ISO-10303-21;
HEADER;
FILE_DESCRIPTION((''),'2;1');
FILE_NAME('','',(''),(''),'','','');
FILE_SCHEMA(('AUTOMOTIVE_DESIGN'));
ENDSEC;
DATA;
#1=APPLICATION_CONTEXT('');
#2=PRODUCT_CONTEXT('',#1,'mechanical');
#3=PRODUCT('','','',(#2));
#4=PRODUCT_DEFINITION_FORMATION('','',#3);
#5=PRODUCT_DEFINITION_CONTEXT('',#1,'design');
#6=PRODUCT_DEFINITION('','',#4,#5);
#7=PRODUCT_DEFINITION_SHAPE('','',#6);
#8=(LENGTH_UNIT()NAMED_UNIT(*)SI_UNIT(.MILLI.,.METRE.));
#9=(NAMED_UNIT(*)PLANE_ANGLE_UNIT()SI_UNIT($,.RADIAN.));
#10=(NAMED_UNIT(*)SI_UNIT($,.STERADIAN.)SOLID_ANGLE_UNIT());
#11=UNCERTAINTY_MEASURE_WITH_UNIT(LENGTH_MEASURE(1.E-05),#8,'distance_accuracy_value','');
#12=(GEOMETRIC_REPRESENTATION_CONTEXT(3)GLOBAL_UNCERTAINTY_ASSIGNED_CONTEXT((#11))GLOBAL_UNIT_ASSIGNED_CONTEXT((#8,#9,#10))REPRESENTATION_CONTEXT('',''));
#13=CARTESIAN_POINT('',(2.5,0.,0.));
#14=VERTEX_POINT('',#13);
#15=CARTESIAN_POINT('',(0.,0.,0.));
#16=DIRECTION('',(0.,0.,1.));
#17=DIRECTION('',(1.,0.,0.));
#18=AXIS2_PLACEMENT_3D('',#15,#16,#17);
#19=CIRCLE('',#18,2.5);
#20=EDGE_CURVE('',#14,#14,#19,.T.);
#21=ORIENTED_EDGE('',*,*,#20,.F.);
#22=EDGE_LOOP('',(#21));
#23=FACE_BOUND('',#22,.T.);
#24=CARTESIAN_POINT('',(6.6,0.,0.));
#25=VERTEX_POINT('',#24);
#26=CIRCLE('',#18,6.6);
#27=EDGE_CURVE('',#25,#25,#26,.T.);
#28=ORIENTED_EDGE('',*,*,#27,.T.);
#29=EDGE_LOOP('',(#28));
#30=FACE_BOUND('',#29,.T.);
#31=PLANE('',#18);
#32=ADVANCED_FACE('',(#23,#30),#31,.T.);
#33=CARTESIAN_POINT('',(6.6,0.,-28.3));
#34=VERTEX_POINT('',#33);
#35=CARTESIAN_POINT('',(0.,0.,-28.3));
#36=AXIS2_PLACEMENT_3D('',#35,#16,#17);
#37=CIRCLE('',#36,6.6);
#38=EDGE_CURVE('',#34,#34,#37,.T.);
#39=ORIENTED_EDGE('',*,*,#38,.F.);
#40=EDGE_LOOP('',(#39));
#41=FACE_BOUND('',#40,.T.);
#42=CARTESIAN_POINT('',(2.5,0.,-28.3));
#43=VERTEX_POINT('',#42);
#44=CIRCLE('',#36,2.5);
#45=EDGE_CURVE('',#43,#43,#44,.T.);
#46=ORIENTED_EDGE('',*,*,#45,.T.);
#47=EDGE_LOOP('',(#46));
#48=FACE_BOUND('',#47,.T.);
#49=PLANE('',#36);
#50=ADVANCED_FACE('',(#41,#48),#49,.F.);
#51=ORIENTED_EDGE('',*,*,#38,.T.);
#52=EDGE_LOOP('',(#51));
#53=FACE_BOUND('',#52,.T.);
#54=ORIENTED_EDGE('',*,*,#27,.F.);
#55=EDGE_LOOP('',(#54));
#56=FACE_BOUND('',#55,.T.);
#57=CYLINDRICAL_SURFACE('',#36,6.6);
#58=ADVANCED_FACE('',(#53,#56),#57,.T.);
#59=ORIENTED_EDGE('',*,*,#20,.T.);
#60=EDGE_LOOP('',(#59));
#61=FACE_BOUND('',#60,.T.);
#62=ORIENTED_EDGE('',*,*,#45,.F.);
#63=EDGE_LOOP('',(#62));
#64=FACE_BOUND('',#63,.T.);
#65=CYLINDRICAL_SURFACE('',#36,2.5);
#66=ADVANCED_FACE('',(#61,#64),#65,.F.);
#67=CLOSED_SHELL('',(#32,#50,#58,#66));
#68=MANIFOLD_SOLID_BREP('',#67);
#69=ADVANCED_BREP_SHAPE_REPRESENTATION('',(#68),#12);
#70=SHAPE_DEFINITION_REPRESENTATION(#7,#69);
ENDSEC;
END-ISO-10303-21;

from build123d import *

# Parameters (mm, degrees)
SKETCH2_R           = 6.6
SKETCH2_R_2         = 2.5
BOSS_EXTRUDE1_DEPTH = 28.3


with BuildPart() as part:
    # Sketch2 → Boss-Extrude1 (new body)
    with BuildSketch(Plane.XY):
        Circle(SKETCH2_R)
        Circle(SKETCH2_R_2, mode=Mode.SUBTRACT)
    extrude(amount=-BOSS_EXTRUDE1_DEPTH)


solid = part.part
